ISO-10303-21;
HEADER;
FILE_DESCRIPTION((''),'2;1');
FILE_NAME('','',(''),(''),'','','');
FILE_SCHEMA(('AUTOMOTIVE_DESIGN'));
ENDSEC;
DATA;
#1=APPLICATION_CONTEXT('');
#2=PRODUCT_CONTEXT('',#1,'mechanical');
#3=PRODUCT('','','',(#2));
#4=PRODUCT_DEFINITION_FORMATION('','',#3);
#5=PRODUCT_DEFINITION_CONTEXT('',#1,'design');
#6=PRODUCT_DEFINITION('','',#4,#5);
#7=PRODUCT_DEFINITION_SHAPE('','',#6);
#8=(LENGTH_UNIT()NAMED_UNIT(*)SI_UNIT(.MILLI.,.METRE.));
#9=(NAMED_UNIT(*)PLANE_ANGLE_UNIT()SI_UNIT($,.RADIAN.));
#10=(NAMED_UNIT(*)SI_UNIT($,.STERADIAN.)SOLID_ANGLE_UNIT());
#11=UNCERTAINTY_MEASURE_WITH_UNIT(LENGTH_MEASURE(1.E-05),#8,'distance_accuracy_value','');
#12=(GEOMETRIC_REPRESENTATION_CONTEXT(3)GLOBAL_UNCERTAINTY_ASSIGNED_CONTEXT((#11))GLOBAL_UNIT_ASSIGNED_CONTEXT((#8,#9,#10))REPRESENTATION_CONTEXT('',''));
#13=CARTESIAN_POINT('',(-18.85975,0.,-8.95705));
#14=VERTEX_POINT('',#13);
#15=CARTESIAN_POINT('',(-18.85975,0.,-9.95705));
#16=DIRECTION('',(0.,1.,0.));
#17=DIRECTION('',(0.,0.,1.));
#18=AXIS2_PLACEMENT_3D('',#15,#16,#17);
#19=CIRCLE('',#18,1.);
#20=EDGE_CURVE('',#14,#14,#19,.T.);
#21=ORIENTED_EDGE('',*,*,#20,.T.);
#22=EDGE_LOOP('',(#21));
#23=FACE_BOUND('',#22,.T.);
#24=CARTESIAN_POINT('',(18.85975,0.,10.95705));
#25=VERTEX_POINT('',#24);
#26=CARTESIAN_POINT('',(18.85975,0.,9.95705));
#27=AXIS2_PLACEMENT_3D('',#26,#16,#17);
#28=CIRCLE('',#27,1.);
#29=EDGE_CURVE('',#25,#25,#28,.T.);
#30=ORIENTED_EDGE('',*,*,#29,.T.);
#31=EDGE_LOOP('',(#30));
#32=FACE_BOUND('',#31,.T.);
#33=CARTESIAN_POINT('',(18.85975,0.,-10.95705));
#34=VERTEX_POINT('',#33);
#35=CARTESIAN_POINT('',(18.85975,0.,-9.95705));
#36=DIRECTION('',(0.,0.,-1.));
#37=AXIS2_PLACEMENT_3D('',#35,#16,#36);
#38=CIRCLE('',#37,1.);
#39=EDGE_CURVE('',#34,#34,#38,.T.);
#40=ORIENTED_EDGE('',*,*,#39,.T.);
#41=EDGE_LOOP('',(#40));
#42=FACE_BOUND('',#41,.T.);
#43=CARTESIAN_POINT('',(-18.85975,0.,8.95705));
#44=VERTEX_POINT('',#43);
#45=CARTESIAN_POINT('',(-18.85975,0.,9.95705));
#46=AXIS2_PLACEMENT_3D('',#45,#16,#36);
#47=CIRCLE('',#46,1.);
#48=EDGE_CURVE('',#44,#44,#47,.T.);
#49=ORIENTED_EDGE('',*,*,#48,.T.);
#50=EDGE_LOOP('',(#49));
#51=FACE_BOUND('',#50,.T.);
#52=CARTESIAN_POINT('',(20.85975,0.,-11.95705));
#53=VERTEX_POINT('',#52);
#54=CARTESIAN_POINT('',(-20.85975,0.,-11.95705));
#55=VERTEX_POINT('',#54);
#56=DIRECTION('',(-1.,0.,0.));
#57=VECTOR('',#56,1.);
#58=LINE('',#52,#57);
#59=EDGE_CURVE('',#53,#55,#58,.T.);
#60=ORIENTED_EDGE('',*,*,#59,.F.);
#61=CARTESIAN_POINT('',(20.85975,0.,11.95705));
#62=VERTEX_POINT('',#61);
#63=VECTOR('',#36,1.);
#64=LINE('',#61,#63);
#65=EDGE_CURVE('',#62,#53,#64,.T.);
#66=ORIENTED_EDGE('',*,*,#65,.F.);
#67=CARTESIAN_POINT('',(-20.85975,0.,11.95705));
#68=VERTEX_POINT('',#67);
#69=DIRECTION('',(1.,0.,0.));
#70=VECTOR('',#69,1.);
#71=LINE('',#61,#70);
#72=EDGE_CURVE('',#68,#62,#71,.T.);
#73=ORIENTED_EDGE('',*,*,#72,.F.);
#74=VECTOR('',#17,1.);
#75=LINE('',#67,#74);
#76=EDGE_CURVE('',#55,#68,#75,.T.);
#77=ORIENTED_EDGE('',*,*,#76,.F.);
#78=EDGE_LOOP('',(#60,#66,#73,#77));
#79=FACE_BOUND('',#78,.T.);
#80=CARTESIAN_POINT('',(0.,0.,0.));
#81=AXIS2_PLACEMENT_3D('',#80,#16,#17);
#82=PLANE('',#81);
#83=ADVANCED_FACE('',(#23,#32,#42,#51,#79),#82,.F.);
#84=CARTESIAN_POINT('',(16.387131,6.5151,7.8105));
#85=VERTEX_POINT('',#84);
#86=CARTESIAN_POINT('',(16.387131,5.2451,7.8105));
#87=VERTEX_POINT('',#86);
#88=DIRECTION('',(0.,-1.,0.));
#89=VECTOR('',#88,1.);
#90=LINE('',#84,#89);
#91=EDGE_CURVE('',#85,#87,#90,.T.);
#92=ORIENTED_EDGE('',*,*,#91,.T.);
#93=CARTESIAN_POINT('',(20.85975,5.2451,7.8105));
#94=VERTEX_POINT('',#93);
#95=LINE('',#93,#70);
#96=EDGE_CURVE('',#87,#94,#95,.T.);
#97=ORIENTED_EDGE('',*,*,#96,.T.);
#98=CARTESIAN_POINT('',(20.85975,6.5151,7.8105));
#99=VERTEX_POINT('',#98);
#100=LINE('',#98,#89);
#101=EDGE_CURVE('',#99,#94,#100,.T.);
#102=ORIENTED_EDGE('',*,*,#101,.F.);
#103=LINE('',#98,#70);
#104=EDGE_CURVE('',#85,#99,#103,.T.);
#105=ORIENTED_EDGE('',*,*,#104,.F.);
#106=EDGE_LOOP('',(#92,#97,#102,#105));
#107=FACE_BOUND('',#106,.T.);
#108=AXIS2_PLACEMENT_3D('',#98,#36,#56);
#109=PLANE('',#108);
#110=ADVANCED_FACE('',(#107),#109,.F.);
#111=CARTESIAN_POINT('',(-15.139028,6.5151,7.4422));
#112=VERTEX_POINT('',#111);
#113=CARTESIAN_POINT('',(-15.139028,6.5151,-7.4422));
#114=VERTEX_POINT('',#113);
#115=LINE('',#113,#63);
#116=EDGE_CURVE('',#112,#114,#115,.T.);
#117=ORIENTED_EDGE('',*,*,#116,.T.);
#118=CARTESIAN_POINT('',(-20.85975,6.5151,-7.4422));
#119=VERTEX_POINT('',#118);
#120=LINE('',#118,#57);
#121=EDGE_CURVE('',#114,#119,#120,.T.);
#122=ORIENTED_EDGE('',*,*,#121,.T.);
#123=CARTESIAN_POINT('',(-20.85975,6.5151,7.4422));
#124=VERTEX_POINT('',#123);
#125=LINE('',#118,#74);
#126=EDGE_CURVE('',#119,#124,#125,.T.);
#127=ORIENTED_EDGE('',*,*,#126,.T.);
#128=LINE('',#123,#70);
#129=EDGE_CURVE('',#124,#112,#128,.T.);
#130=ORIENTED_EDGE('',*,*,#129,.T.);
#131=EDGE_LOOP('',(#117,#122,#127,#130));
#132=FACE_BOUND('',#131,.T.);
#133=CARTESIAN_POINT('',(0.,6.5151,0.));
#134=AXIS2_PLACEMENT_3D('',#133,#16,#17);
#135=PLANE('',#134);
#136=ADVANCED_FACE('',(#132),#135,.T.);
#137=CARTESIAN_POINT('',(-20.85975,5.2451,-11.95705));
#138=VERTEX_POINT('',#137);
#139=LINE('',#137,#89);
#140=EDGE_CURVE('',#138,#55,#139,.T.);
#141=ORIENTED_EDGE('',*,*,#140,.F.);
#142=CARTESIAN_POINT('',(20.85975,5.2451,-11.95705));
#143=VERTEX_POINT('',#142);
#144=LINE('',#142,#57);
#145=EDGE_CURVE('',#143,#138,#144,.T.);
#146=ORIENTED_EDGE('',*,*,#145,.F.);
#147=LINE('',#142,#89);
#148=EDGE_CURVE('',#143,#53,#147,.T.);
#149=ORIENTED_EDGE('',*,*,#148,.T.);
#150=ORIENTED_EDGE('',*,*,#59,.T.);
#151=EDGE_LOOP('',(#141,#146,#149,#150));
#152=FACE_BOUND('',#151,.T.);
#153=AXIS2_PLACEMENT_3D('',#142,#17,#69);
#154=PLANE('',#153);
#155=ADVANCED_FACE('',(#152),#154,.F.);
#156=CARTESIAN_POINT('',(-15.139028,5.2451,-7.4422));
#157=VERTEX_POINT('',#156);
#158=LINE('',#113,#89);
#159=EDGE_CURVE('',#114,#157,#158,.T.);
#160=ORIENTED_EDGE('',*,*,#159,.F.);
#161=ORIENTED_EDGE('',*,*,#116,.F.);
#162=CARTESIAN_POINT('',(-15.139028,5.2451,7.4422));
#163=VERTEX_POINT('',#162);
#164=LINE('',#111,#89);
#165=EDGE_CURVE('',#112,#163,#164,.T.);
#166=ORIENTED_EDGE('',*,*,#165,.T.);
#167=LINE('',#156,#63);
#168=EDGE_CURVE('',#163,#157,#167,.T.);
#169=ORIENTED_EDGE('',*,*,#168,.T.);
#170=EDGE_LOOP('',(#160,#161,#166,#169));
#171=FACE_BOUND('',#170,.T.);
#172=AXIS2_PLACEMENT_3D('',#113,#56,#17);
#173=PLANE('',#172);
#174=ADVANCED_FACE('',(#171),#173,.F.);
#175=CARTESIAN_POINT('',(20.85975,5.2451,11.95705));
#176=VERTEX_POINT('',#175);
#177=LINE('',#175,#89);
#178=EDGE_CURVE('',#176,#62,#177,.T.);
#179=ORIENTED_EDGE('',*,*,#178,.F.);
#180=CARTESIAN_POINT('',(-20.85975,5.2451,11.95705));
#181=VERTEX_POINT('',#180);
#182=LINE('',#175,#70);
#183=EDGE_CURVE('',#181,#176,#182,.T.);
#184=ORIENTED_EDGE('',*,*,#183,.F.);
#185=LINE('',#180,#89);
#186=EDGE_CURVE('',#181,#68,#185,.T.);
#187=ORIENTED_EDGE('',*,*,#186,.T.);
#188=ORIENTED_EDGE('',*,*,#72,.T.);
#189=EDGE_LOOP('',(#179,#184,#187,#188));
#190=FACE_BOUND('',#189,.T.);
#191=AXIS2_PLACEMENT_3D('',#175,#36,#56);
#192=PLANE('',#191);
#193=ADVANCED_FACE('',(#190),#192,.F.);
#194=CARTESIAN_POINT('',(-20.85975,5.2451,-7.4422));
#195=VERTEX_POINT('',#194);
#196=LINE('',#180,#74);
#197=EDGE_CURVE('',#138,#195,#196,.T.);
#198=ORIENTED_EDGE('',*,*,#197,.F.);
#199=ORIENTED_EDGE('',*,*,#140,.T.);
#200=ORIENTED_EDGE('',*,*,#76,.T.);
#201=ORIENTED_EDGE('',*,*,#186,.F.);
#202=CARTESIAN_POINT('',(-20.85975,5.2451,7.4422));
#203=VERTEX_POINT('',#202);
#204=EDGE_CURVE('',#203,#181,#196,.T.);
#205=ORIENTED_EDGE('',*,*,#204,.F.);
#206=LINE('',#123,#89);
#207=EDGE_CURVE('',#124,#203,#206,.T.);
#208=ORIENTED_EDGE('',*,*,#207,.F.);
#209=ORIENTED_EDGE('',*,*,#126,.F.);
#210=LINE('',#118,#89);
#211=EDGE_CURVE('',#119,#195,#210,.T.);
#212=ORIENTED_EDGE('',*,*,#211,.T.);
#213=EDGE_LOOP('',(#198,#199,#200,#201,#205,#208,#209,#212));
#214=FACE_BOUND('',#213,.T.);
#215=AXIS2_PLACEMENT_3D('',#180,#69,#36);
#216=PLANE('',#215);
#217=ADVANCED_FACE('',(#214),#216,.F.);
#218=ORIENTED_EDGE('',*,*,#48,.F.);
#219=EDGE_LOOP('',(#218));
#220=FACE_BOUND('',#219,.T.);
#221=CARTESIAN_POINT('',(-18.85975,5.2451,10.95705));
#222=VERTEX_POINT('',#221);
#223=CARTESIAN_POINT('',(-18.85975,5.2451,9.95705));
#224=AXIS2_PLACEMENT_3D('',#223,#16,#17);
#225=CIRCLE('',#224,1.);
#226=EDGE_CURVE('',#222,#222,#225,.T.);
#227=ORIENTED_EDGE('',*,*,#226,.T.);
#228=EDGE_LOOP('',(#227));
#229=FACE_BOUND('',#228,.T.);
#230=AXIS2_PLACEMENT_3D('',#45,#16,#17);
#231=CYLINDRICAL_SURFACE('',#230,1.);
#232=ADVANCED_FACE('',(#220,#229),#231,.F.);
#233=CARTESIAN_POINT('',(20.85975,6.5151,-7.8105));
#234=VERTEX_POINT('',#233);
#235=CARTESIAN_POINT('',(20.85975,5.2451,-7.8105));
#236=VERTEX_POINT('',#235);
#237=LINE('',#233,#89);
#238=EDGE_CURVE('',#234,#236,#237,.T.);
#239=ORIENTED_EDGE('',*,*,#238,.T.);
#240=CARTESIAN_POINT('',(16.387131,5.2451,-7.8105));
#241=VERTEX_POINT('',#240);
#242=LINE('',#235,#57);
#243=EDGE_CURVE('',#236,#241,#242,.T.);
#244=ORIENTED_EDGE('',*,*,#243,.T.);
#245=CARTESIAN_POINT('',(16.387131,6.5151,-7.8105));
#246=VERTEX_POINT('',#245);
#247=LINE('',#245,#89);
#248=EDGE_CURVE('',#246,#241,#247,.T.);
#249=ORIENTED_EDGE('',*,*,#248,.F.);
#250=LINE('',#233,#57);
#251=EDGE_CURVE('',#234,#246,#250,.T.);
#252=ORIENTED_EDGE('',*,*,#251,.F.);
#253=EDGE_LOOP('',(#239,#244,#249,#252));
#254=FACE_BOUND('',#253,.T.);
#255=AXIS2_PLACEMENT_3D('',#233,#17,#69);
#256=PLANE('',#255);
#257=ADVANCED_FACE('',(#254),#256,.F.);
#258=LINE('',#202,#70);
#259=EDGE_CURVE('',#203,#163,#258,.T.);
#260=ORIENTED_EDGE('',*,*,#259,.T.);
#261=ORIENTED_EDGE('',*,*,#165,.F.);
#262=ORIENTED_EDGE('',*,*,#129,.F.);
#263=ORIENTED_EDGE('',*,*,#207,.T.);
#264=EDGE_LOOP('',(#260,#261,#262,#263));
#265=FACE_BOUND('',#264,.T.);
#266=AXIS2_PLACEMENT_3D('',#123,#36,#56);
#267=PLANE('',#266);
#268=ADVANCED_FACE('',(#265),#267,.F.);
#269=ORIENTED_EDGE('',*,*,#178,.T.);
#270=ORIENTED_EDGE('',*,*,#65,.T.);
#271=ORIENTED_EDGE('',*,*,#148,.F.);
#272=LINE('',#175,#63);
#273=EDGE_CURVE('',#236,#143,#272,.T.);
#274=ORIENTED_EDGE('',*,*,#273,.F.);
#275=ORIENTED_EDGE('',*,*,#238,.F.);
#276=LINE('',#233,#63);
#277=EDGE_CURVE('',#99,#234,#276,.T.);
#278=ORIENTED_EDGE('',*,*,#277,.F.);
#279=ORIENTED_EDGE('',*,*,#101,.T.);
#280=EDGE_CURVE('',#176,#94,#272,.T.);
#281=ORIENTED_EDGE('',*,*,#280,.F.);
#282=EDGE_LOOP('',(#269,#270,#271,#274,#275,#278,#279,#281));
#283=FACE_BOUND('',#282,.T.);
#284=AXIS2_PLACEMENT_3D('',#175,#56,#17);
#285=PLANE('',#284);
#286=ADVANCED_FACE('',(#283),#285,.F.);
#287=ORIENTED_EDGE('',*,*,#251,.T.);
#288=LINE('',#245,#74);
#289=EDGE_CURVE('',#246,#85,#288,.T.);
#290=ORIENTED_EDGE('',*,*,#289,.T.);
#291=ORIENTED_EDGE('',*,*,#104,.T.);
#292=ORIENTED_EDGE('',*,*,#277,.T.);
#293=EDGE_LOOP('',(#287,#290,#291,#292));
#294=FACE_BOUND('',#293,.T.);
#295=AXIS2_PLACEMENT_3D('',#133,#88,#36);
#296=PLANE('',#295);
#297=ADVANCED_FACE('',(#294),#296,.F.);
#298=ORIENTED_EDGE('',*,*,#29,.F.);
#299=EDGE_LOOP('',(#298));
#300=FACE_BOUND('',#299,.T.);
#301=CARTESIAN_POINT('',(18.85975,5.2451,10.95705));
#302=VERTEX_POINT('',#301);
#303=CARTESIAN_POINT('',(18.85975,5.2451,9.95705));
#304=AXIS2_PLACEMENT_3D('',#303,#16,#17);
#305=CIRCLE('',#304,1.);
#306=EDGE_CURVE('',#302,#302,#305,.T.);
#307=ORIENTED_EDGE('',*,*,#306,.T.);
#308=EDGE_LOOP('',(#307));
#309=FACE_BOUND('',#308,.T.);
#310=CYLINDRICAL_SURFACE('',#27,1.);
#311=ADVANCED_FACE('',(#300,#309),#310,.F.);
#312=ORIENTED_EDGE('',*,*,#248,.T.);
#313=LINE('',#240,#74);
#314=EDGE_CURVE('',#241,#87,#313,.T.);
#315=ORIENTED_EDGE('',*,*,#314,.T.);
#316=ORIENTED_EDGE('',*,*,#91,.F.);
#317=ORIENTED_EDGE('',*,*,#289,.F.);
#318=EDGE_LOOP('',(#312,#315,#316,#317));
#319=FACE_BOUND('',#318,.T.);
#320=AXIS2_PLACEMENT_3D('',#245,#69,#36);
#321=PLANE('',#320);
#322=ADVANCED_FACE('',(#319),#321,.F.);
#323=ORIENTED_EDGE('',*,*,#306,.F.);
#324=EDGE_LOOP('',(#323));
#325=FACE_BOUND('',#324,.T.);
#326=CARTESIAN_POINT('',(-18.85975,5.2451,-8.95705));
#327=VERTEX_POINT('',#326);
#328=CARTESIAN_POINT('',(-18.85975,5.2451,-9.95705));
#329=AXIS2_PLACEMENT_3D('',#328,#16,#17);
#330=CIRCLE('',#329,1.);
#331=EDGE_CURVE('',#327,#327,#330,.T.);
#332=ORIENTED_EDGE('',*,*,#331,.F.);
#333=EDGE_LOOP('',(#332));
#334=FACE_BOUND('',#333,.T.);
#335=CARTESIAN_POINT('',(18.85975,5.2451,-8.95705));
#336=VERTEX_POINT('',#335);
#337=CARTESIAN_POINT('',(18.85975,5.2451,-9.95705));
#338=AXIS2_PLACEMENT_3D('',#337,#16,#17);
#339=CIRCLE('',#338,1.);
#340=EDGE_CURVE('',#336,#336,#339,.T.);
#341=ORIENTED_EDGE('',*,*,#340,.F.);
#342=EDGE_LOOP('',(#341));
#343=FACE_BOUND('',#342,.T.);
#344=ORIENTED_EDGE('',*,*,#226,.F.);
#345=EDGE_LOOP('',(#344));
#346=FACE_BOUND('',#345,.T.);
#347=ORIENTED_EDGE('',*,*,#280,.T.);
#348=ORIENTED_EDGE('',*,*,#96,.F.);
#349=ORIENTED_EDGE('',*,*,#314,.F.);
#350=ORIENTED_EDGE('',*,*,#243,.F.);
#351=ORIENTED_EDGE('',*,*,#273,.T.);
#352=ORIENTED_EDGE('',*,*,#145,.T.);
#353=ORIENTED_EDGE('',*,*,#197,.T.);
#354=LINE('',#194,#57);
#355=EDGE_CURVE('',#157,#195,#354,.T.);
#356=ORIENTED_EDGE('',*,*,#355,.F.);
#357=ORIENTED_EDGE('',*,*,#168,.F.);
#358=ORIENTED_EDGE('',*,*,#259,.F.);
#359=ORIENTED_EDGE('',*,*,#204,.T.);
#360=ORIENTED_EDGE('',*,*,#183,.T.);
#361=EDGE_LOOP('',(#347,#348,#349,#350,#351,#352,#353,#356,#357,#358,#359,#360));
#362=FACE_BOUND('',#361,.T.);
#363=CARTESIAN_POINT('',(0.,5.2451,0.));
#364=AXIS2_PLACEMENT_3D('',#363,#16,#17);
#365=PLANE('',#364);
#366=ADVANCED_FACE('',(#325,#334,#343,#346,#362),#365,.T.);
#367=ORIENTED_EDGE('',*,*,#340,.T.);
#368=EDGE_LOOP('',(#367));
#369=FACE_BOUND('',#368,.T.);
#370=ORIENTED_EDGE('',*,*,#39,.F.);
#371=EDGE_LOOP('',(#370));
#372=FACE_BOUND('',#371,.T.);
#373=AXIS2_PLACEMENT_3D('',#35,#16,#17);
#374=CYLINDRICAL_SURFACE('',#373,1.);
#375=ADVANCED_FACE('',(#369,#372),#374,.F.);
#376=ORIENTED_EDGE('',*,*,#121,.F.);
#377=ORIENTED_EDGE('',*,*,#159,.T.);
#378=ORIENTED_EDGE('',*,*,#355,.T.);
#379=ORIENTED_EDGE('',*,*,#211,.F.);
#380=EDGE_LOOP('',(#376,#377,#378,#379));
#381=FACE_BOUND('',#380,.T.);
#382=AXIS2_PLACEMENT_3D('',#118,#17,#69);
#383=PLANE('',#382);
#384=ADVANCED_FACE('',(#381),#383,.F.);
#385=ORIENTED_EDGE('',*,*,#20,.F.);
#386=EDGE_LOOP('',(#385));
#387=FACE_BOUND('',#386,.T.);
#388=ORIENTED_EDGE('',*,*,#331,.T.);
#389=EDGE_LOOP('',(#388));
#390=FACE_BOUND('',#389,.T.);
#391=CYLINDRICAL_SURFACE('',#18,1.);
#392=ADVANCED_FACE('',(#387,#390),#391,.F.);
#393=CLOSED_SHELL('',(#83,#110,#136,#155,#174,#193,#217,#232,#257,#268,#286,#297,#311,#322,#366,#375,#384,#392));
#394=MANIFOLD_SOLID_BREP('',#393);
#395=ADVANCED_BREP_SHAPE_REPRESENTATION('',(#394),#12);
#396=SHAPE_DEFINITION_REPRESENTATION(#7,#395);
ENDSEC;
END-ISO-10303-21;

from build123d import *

# Parameters (mm, degrees)
SKETCH1_W               = 41.7195
SKETCH1_H               = 23.9141
BOSS_EXTRUDE1_DEPTH     = 5.2451
CUT_EXTRUDE1_DEPTH      = 25.609170827
CUT_EXTRUDE1_DEPTH_BACK = 25.609170827
SKETCH2_R               = 1
SKETCH3_W               = 4.472619139
SKETCH3_H               = 15.621
SKETCH3_W_2             = 5.720722195
SKETCH3_H_2             = 14.8844
BOSS_EXTRUDE2_DEPTH     = 1.27


with BuildPart() as part:
    # Sketch1 → Boss-Extrude1 (new body)
    with BuildSketch(Plane(origin=(0, 0, 0), x_dir=(1, 0, 0), z_dir=(0, 1, 0))):
        Rectangle(SKETCH1_W, SKETCH1_H)
    extrude(amount=BOSS_EXTRUDE1_DEPTH)

    # Sketch2 → Cut-Extrude1 (cut, two sides: drawn at the far end of the back side and taken through both)
    with BuildSketch(Plane(origin=(0, 5.2451, 0), x_dir=(1, 0, 0), z_dir=(0, 1, 0)).offset(-CUT_EXTRUDE1_DEPTH_BACK)):
        with Locations(Location((-18.85975, 9.95705, 0), (0, 0, 270))):
            Circle(SKETCH2_R)
        with Locations(Location((18.85975, 9.95705, 0), (0, 0, 270))):
            Circle(SKETCH2_R)
        with Locations(Location((18.85975, -9.95705, 0), (0, 0, 270))):
            Circle(SKETCH2_R)
        with Locations(Location((-18.85975, -9.95705, 0), (0, 0, 270))):
            Circle(SKETCH2_R)
    extrude(amount=CUT_EXTRUDE1_DEPTH + CUT_EXTRUDE1_DEPTH_BACK, mode=Mode.SUBTRACT)

    # Sketch3 → Boss-Extrude2 (add)
    with BuildSketch(Plane(origin=(0, 5.2451, 0), x_dir=(1, 0, 0), z_dir=(0, 1, 0))):
        with Locations((18.623440431, 0)):
            Rectangle(SKETCH3_W, SKETCH3_H)
        with Locations((-17.999388903, 0)):
            Rectangle(SKETCH3_W_2, SKETCH3_H_2)
    extrude(amount=BOSS_EXTRUDE2_DEPTH)


solid = part.part
